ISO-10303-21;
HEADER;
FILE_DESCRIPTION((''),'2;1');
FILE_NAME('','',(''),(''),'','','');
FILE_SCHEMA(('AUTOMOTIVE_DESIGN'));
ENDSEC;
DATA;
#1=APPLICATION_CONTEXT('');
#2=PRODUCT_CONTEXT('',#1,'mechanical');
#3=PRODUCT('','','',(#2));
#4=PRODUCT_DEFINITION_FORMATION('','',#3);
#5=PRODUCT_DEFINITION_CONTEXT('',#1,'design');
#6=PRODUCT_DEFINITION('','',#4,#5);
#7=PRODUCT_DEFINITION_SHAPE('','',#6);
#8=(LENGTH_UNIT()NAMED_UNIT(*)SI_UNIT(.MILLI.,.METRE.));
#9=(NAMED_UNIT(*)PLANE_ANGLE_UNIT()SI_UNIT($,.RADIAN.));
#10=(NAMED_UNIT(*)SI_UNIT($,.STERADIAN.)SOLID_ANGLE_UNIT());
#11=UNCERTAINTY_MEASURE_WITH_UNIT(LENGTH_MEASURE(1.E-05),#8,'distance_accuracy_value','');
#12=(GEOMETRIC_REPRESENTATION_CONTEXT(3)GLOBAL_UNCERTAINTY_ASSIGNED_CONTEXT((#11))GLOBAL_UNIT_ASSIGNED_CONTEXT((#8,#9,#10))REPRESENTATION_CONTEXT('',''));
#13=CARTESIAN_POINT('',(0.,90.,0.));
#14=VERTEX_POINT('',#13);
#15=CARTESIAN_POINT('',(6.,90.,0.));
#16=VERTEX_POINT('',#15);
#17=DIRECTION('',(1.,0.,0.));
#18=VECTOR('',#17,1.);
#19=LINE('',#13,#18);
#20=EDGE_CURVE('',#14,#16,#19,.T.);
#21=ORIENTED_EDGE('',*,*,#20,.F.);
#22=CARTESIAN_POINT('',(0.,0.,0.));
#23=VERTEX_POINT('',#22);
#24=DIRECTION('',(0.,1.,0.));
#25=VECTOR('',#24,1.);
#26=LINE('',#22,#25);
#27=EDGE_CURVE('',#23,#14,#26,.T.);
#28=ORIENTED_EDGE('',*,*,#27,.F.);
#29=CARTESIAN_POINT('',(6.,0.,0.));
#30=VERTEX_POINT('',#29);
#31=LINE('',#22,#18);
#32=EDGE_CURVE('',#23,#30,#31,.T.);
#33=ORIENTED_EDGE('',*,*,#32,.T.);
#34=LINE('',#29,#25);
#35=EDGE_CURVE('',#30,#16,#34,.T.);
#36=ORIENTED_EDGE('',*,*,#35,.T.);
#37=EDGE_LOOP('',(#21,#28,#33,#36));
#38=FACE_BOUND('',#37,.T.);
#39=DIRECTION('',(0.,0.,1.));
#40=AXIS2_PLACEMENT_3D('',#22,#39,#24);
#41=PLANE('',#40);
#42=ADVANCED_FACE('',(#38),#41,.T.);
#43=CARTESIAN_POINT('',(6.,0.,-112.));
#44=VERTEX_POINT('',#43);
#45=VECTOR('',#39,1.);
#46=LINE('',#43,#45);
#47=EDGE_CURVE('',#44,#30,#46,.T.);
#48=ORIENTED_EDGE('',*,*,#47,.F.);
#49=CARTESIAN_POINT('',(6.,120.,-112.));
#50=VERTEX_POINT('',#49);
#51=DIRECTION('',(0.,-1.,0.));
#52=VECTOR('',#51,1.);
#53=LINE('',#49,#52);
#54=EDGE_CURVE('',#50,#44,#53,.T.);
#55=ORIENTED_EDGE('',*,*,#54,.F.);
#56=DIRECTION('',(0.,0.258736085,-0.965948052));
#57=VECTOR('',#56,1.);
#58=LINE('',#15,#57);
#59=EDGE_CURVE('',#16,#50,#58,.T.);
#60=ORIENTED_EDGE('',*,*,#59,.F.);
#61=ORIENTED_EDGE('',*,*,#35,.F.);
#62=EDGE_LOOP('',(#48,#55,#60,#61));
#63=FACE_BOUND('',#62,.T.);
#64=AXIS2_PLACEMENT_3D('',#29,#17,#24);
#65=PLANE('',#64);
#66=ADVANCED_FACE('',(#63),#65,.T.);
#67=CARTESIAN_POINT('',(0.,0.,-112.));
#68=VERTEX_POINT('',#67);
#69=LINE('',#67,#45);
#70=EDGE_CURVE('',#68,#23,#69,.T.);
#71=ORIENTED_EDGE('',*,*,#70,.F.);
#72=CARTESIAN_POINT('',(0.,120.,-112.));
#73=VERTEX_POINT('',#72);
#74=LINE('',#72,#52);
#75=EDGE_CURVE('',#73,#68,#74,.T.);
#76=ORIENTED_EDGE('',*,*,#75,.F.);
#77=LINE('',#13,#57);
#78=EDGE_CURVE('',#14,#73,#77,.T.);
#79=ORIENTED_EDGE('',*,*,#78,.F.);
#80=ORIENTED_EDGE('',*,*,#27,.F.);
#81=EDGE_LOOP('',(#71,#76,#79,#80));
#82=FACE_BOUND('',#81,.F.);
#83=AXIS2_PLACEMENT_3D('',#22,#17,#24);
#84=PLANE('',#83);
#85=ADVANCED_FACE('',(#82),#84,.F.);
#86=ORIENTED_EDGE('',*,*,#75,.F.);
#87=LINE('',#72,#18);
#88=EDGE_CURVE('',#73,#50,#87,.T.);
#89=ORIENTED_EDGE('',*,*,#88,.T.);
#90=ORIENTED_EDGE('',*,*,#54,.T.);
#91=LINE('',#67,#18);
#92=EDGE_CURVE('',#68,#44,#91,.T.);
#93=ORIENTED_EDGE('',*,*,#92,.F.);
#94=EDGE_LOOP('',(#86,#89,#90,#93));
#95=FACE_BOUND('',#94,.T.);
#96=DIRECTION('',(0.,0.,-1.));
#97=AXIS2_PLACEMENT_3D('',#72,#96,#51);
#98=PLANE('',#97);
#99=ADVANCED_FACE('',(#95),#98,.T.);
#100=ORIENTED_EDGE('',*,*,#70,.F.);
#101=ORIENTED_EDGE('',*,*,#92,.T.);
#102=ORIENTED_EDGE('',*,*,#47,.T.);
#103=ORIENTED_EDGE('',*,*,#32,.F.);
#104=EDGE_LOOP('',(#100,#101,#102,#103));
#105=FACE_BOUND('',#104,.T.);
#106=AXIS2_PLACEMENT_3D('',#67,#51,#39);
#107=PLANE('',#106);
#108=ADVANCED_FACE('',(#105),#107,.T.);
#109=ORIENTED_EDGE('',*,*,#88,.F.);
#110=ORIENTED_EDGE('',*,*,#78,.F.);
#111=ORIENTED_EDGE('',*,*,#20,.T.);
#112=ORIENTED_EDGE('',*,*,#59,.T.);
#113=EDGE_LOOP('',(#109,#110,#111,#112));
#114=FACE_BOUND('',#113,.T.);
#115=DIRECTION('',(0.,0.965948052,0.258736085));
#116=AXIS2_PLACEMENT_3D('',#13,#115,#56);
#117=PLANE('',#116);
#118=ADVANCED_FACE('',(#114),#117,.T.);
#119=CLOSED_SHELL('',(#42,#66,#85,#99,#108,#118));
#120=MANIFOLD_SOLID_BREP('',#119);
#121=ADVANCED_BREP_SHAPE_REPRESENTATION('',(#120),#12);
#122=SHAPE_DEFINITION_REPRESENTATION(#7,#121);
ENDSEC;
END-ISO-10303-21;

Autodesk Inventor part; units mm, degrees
ref_plane "YZ Plane" through (0, 0, 0) normal (1, 0, 0) x (0, 1, 0)
ref_plane "XZ Plane" through (0, 0, 0) normal (0, 1, 0) x (-1, 0, 0)
ref_plane "XY Plane" through (0, 0, 0) normal (0, 0, 1) x (1, 0, 0)
sketch "Sketch1" plane through (0, 0, 0) normal (1, 0, 0) x (0, 1, 0)
  line L0 (120, -112) -> (0, -112)
  line L1 (0, -112) -> (0, 0)
  line L2 (0, 0) -> (90, 0)
  line L3 (90, 0) -> (120, -112)
  dimension "d0" = 120
  dimension "d1" = 90
  dimension "d2" = 112
extrude "Extrusion1" add sketch "Sketch1" along normal blind 6
properties part number "wall interface 3 V1"
